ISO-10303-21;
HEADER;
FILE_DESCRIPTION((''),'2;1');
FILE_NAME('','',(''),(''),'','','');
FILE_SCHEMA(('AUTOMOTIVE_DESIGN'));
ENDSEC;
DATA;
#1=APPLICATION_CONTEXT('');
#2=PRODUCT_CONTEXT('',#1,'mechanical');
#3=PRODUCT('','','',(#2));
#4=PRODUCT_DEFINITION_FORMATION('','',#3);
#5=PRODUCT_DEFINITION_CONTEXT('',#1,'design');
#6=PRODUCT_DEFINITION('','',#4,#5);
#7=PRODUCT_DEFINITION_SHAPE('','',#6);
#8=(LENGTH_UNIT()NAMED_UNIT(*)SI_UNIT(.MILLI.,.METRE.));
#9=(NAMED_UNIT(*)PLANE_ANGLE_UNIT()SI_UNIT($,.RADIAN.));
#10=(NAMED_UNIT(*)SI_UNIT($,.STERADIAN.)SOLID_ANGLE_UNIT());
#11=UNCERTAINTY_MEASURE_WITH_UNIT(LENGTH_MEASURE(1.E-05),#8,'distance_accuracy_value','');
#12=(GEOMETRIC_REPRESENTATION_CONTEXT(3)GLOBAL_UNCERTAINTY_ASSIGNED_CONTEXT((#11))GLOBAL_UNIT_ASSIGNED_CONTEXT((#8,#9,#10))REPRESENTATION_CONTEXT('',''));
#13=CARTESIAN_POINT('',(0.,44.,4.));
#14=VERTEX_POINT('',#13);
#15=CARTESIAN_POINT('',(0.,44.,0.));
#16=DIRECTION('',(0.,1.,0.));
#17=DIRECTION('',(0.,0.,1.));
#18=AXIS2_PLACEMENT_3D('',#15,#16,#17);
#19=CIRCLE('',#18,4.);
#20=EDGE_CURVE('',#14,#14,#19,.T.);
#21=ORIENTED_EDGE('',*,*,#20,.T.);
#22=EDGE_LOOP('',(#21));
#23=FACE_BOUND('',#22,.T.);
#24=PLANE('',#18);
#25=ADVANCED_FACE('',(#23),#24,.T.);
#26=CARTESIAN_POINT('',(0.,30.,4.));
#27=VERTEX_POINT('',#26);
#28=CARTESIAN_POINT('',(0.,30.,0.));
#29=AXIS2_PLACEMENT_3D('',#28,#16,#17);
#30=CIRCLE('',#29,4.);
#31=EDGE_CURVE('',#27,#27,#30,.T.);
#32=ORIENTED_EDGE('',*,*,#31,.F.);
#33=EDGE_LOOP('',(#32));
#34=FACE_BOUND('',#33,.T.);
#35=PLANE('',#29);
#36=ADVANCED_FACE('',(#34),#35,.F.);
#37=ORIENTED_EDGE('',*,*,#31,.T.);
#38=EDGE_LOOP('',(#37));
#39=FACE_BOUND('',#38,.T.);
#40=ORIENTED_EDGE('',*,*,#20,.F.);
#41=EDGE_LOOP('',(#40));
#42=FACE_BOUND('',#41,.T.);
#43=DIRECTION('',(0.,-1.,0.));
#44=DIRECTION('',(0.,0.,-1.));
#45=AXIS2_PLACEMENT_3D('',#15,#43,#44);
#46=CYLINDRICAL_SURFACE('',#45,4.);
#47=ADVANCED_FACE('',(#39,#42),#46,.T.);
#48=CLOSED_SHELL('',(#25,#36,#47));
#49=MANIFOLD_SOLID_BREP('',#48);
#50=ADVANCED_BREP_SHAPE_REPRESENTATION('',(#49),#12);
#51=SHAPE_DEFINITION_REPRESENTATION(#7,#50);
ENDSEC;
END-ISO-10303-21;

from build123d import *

# Parameters (mm, degrees)
VNT_NIPEL_M8_START = 30
SKETCH1_R          = 4
VNT_NIPEL_M8_DEPTH = 14


with BuildPart() as part:
    # Sketch1 → VNT_nipel_M8 (new body)
    with BuildSketch(Plane(origin=(0, 0, 0), x_dir=(1, 0, 0), z_dir=(0, 1, 0)).offset(VNT_NIPEL_M8_START)):
        with Locations(Location((0, 0, 0), (0, 0, 270))):
            Circle(SKETCH1_R)
    extrude(amount=VNT_NIPEL_M8_DEPTH)


solid = part.part
